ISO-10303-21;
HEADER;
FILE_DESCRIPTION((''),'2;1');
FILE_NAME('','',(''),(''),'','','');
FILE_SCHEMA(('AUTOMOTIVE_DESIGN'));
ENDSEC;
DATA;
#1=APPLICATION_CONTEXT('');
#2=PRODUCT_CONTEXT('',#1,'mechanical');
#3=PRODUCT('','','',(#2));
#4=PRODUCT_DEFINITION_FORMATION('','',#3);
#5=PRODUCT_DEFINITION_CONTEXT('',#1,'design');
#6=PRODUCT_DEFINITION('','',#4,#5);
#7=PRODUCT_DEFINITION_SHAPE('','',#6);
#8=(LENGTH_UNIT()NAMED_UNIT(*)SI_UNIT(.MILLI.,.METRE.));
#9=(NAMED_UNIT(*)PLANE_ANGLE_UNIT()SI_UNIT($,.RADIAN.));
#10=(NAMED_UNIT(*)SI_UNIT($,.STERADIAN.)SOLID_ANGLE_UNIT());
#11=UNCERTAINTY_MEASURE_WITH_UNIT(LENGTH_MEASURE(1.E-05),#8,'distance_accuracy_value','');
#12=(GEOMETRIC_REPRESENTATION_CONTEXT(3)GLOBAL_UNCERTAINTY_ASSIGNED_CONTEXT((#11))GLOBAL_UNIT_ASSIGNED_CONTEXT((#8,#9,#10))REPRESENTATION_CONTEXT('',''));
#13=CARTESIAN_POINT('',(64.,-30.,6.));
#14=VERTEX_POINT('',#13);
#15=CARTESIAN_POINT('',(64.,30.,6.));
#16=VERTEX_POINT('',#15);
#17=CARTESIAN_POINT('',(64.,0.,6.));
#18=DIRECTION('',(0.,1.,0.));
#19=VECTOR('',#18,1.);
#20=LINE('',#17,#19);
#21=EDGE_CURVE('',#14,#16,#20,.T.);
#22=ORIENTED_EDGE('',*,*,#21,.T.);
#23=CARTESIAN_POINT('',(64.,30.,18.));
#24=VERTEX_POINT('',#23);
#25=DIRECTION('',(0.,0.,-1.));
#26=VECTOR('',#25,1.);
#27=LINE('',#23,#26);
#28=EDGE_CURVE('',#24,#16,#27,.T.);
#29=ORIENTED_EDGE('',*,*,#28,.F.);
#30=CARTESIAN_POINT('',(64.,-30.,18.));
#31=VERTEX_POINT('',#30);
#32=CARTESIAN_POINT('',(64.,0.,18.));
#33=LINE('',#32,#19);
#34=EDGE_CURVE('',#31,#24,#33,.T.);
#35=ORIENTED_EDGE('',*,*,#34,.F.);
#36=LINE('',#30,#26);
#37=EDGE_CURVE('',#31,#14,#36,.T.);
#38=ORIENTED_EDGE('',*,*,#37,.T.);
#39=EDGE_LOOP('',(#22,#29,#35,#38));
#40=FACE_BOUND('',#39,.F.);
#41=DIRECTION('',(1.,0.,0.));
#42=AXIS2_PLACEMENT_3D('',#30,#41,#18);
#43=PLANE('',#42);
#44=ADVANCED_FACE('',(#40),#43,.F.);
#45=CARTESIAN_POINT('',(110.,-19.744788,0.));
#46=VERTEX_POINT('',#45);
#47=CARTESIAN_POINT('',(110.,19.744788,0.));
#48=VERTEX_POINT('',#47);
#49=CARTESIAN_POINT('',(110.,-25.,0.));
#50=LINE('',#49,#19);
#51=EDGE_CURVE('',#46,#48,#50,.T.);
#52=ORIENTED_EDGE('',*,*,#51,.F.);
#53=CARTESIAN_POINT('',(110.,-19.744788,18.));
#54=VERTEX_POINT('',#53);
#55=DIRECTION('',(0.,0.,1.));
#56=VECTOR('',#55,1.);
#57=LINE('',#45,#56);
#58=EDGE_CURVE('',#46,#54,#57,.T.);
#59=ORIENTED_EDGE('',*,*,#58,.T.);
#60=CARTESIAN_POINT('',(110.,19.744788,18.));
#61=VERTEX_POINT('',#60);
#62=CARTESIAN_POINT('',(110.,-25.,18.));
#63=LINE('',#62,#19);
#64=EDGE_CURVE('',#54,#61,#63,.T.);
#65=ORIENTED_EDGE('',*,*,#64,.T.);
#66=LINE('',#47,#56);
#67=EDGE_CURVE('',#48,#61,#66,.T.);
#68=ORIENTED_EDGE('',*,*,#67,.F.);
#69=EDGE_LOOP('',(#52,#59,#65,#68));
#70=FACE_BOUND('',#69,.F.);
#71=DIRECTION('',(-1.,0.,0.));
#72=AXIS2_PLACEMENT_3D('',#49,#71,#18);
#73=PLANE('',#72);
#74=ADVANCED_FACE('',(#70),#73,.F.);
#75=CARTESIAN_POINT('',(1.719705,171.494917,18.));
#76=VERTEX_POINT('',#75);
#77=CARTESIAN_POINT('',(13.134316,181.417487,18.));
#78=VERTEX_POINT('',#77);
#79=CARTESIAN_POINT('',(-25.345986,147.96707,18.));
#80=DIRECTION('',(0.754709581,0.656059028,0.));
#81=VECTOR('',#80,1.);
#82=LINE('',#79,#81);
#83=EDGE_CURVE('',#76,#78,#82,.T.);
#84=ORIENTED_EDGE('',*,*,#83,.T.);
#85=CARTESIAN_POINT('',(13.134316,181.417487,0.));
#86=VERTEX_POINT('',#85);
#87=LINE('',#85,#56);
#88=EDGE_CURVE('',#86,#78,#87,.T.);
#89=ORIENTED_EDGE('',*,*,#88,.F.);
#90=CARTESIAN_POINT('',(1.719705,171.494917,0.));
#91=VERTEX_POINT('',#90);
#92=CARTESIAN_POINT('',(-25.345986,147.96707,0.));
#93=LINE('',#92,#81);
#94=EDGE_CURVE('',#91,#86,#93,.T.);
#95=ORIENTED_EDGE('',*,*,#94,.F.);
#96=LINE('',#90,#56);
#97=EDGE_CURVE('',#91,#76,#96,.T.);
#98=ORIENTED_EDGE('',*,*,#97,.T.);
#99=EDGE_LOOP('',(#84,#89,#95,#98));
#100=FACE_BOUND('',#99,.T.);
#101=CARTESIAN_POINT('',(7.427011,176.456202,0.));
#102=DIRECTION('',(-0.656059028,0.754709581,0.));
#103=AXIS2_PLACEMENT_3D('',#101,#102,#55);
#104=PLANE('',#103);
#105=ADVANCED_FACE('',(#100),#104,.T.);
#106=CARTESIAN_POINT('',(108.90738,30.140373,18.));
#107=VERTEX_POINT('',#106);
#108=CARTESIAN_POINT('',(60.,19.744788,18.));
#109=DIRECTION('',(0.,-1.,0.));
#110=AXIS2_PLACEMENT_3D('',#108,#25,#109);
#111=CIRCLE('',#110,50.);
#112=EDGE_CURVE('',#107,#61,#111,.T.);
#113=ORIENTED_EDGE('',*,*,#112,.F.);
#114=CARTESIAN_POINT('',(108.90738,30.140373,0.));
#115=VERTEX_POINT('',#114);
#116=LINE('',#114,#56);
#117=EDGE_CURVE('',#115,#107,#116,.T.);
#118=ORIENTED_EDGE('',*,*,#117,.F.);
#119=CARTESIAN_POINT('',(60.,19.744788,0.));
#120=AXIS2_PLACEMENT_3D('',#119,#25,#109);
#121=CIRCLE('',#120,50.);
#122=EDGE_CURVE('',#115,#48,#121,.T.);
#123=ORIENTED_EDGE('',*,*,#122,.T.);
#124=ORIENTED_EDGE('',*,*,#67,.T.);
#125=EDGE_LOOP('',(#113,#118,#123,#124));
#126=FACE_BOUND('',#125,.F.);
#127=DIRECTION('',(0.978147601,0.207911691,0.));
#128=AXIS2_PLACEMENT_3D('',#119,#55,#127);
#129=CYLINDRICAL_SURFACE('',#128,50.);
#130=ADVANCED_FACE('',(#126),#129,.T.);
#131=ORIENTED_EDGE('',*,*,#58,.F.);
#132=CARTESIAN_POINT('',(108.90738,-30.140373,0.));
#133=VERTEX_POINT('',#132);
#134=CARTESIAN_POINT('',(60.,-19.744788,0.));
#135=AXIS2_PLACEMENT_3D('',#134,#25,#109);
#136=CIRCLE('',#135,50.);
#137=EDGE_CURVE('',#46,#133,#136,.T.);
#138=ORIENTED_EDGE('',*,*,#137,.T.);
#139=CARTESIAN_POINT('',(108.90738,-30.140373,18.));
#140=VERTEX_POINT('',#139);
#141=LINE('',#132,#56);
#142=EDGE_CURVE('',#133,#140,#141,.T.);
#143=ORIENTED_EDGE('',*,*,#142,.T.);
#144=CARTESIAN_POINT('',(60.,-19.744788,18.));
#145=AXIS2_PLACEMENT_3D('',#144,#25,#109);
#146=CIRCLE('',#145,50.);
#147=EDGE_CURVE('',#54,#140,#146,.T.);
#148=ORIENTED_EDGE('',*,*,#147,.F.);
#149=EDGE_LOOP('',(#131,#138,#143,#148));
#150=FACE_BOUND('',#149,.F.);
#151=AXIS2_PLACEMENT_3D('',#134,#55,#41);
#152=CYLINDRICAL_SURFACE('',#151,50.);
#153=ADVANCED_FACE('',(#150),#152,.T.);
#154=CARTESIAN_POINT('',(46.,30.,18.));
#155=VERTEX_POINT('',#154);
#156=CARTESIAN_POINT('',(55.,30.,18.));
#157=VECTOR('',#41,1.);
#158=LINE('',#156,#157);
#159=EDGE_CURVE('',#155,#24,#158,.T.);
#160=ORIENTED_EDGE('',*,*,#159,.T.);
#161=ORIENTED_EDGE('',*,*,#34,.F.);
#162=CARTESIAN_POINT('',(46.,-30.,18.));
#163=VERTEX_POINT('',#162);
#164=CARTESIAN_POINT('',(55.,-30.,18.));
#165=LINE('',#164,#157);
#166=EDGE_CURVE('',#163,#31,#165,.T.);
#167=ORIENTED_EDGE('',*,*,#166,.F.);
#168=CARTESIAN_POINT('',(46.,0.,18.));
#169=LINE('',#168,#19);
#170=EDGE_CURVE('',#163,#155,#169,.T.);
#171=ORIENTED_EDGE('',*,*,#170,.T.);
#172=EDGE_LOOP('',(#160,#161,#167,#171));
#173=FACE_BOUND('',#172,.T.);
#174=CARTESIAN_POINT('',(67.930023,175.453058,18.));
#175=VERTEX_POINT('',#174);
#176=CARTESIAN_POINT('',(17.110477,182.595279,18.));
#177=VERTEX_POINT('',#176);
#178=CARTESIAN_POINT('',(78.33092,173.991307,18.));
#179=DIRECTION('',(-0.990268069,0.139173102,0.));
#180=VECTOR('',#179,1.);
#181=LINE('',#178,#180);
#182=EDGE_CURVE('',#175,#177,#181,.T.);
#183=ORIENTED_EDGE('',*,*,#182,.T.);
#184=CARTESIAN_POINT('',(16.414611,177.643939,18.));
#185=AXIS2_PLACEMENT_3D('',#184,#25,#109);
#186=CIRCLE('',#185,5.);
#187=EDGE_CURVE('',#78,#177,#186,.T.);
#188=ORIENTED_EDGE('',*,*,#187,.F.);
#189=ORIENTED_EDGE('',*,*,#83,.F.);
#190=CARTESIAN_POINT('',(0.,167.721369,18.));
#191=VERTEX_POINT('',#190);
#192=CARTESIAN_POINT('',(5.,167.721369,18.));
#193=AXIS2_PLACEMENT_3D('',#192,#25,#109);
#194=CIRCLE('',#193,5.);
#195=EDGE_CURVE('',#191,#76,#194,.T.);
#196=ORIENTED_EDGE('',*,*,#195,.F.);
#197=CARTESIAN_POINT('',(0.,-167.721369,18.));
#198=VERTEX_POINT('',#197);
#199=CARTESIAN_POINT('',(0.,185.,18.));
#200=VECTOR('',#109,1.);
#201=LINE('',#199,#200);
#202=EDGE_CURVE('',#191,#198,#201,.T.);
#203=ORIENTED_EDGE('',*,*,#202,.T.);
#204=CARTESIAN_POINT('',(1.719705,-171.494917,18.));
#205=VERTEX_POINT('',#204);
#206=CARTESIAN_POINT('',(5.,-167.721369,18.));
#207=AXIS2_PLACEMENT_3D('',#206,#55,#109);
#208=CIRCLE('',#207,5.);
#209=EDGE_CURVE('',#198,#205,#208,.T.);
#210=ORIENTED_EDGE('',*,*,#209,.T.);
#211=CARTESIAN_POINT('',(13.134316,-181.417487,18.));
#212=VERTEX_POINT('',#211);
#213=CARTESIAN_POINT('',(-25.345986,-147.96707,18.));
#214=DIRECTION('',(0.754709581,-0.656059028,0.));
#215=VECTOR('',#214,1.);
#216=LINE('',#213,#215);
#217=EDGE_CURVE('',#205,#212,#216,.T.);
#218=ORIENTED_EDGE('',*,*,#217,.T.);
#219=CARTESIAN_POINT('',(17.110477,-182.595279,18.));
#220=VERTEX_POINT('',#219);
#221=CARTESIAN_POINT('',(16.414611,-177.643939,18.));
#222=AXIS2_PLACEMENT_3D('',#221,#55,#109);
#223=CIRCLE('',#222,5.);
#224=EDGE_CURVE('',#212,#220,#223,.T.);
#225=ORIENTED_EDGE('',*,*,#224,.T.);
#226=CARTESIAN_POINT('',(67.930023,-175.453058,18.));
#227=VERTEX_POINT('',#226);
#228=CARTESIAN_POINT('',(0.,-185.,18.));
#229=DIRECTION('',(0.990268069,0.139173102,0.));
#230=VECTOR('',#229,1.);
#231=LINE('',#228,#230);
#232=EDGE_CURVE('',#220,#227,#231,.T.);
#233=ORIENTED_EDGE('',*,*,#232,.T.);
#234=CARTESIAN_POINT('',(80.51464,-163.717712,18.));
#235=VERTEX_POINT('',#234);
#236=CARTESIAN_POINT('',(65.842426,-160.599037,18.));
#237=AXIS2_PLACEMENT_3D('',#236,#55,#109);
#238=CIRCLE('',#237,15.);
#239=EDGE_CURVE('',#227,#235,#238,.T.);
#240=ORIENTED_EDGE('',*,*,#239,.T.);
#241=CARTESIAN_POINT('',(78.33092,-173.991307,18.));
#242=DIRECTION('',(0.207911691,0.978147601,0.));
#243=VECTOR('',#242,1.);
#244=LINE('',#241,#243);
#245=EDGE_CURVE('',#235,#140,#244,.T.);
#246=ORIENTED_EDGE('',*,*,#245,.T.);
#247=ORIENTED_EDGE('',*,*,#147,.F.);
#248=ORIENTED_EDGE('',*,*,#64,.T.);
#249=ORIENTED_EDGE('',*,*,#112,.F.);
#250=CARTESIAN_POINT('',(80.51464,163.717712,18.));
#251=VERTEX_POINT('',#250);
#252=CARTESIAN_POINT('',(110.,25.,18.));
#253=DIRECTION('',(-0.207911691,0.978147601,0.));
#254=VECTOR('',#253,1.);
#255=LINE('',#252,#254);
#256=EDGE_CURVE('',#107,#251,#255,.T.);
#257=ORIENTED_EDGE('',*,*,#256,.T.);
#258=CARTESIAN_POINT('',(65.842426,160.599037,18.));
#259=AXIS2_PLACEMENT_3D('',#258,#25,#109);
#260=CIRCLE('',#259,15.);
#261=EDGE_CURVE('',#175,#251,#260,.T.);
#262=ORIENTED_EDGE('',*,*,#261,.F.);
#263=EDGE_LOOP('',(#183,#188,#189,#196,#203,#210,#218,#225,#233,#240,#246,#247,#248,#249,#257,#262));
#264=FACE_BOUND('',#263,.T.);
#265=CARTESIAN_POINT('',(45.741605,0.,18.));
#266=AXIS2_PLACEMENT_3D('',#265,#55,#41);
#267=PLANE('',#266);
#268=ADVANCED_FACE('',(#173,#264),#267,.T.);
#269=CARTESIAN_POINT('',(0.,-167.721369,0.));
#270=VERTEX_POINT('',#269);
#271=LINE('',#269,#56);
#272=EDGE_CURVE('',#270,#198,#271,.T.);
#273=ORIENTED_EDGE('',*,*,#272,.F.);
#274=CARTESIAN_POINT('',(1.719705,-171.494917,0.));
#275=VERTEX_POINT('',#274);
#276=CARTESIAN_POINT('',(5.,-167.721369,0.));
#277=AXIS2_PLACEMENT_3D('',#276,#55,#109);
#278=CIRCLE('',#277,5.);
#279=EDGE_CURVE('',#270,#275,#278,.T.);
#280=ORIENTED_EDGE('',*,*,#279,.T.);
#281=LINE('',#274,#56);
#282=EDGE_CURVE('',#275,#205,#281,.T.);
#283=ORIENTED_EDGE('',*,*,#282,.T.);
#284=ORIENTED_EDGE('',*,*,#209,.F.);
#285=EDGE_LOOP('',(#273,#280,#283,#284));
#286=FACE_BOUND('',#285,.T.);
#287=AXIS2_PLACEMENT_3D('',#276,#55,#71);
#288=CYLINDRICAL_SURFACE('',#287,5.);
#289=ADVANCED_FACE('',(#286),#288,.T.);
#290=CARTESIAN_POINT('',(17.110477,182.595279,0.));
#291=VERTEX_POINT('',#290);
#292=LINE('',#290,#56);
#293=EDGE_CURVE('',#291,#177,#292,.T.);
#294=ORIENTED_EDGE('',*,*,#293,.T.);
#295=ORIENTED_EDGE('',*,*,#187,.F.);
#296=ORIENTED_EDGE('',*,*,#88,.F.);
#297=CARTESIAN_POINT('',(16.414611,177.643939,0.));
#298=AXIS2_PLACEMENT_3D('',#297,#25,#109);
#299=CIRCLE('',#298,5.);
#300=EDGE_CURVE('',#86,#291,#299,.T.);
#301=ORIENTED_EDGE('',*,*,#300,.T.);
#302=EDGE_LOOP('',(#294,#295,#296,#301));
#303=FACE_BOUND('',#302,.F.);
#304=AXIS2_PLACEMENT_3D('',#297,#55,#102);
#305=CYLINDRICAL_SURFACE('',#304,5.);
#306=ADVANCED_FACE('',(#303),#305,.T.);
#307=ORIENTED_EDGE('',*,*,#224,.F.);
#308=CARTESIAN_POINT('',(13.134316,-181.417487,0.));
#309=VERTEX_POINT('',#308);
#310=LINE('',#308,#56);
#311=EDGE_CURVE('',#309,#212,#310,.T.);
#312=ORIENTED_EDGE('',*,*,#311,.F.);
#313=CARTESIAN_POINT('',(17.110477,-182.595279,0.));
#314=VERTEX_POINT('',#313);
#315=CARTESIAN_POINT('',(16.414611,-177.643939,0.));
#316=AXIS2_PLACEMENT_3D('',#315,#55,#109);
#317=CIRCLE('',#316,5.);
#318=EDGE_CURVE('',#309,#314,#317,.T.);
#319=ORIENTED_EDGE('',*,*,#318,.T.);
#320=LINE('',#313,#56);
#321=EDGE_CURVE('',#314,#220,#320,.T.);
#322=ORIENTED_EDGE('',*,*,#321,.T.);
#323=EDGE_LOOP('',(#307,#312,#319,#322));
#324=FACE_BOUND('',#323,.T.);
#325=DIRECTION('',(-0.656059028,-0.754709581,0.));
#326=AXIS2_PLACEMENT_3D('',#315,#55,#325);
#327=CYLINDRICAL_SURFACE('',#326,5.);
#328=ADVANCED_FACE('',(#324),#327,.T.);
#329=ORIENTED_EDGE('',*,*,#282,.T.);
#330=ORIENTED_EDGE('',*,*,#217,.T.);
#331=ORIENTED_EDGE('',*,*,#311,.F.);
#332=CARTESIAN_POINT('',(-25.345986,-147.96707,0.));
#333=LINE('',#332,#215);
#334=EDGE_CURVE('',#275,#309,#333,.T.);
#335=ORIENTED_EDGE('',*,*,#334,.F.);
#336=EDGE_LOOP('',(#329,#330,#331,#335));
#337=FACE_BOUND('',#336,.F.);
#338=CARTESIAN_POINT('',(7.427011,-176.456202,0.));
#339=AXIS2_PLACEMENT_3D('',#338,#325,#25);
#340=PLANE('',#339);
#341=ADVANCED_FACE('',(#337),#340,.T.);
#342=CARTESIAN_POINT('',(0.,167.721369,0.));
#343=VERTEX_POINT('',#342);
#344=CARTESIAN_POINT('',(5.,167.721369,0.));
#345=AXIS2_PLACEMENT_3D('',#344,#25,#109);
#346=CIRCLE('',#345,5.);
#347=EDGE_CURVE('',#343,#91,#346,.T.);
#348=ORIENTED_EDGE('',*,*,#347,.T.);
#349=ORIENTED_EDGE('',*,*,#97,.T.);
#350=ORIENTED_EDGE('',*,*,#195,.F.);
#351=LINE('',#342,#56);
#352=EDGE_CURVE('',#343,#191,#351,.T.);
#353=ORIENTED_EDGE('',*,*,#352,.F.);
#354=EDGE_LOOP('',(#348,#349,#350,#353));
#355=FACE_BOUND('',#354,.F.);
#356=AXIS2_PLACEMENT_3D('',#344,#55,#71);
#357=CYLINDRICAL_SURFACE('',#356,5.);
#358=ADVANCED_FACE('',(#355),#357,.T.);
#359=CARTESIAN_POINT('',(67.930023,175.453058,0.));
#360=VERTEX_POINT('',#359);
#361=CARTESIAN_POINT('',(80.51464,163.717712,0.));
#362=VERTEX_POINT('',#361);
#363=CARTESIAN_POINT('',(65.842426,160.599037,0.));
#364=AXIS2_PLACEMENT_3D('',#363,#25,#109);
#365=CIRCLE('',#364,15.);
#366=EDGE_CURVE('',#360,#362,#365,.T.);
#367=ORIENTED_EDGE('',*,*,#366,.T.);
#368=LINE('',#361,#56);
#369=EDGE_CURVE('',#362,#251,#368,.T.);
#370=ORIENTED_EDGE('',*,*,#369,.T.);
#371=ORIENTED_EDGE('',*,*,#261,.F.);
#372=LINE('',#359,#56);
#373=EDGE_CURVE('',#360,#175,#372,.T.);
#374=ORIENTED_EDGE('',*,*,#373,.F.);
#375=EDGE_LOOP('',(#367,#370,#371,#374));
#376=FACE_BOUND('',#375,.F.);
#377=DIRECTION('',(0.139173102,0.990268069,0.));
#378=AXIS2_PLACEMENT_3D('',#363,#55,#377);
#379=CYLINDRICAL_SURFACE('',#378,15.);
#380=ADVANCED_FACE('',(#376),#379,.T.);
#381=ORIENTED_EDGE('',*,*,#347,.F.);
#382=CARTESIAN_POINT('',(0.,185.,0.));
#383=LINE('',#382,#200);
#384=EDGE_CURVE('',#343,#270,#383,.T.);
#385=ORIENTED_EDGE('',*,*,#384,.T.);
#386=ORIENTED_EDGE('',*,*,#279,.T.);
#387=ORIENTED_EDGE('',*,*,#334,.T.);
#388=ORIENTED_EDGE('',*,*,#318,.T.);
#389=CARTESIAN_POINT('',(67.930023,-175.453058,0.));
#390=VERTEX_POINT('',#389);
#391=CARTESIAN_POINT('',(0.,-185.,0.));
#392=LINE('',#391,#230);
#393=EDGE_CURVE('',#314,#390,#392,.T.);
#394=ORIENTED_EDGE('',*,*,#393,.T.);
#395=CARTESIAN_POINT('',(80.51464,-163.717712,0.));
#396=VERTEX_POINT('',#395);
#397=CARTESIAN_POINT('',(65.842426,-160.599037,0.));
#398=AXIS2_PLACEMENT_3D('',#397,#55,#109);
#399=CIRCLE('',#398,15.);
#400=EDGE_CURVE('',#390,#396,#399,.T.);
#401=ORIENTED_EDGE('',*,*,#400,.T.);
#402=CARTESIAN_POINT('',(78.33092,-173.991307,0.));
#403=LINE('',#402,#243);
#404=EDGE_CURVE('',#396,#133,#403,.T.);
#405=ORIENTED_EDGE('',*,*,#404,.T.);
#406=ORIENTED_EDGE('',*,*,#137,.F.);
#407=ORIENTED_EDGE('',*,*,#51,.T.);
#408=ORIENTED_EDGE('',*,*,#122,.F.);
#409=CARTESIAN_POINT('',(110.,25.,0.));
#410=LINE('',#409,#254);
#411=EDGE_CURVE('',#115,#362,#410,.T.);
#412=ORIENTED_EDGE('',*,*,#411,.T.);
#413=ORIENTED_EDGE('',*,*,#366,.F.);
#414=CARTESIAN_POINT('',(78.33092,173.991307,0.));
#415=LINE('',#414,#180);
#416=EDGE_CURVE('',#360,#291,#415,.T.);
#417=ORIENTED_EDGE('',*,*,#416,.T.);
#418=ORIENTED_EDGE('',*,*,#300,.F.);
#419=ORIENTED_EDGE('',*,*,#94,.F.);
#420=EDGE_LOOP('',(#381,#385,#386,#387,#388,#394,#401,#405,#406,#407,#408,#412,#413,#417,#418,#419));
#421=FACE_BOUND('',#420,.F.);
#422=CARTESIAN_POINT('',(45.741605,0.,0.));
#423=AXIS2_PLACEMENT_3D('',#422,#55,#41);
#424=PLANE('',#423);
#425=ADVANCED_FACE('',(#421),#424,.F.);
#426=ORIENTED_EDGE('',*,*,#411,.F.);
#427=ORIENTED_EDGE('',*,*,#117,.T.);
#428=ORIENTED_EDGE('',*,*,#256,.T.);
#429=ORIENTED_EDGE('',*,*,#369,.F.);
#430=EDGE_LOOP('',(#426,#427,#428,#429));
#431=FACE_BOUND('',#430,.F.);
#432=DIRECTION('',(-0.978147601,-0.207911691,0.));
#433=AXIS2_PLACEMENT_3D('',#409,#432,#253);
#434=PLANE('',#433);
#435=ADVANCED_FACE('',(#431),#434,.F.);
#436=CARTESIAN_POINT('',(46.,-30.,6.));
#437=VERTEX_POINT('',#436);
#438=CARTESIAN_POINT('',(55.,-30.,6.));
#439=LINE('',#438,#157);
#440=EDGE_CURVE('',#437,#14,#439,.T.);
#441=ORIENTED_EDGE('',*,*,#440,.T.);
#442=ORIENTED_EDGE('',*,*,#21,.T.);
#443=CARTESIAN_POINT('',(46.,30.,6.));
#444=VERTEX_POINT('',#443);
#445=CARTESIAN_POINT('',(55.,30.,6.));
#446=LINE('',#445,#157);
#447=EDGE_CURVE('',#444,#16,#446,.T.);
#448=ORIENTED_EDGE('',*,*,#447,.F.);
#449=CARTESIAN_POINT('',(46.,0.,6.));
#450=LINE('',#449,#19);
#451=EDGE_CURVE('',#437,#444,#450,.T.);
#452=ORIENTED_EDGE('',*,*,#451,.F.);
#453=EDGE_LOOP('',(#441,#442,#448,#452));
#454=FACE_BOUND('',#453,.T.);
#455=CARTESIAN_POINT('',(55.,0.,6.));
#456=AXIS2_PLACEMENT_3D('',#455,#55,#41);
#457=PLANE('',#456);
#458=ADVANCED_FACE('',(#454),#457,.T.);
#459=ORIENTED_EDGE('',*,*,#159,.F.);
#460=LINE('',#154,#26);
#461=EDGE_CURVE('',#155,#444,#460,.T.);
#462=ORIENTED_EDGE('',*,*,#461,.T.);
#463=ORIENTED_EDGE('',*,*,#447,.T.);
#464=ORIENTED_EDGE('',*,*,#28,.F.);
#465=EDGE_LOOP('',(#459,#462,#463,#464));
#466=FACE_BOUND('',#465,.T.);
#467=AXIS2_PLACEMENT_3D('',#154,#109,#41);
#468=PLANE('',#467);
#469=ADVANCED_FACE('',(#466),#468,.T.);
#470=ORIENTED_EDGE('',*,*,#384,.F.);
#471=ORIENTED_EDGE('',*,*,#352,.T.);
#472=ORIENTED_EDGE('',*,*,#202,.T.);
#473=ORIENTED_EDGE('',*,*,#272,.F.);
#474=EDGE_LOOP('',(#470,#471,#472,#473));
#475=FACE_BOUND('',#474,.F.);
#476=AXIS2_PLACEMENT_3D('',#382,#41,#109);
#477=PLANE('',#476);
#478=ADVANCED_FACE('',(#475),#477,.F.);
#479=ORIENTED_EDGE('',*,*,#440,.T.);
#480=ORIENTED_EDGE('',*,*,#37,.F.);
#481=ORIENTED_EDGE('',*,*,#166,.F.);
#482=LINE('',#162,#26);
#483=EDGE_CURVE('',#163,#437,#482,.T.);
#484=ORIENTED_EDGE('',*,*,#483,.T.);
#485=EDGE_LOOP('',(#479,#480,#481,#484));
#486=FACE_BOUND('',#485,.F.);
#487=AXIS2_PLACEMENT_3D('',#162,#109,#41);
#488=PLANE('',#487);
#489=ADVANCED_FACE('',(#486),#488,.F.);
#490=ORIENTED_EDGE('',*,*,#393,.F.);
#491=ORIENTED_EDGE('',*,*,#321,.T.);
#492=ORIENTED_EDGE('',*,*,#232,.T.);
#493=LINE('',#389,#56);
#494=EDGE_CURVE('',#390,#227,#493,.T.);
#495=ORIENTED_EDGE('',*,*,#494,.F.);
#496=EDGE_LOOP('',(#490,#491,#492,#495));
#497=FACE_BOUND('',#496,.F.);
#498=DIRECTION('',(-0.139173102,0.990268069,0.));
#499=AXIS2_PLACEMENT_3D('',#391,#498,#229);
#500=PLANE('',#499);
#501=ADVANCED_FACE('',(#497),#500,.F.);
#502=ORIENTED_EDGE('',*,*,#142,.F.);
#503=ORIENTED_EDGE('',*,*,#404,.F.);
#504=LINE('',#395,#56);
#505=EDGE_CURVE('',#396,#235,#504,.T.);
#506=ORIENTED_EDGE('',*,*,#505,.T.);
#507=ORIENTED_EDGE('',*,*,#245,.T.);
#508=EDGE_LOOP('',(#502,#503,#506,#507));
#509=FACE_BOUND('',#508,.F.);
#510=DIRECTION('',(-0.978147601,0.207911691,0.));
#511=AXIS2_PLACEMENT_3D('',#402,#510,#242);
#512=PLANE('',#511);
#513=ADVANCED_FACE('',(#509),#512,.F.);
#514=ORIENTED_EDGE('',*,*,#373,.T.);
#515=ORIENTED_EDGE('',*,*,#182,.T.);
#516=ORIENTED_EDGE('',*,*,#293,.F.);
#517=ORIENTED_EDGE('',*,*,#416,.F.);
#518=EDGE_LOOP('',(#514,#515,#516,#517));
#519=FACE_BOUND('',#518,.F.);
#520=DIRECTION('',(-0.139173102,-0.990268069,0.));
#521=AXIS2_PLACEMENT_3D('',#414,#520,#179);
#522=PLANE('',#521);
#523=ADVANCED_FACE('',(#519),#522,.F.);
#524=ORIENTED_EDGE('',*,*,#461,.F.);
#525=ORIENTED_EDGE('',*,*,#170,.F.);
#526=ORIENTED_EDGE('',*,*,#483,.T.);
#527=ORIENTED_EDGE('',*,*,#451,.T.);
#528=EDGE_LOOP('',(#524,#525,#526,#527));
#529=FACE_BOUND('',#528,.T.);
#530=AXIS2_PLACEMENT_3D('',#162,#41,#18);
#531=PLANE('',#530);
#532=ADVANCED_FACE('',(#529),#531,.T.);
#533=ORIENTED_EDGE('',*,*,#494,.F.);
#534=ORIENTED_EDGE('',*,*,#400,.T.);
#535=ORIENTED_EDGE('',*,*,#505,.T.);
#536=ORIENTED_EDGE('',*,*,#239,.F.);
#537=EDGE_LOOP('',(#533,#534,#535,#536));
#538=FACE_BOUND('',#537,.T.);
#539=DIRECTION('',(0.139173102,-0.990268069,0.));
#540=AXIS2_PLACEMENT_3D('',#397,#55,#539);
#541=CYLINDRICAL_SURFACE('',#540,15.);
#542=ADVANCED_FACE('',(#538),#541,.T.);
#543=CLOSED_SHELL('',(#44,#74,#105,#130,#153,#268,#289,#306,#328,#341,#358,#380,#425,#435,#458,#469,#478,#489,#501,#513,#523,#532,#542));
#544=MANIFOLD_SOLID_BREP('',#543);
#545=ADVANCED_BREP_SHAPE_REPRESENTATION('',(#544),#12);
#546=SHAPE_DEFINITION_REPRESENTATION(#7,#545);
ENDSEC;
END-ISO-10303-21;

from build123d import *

# Parameters (mm, degrees)
PAD_DEPTH    = 18
SKETCH001_W  = 18
SKETCH001_H  = 60
POCKET_DEPTH = 12
CHAMFER_SIZE = 15
FILLET_R     = 5
FILLET001_R  = 15
FILLET002_R  = 50


with BuildPart() as part:
    # Sketch → Pad (new body)
    with BuildSketch(Plane.XY):
        Polygon((0, 185), (0, -185), (78.33092, -173.991307), (110, -25), (110, 25), (78.33092, 173.991307), align=None)
    extrude(amount=PAD_DEPTH)

    # Sketch001 → Pocket (cut)
    with BuildSketch(Plane.XY.offset(18)):
        with Locations((55, 0)):
            Rectangle(SKETCH001_W, SKETCH001_H)
    extrude(amount=-POCKET_DEPTH, mode=Mode.SUBTRACT)

    # Chamfer
    chamfer_edges = [part.edges().sort_by_distance(p)[0] for p in [
        (0, -185, 9),
        (0, 185, 9),
    ]]
    chamfer(chamfer_edges, length=CHAMFER_SIZE)

    # Fillet
    fillet_edges = [part.edges().sort_by_distance(p)[0] for p in [
        (14.854021, 182.912403, 9),
        (0, 170, 9),
        (0, -170, 9),
        (14.854021, -182.912403, 9),
    ]]
    fillet(fillet_edges, radius=FILLET_R)

    # Fillet001
    fillet001_edges = [part.edges().sort_by_distance(p)[0] for p in [
        (78.33092, -173.991307, 9),
        (78.33092, 173.991307, 9),
    ]]
    fillet(fillet001_edges, radius=FILLET001_R)

    # Fillet002
    fillet002_edges = [part.edges().sort_by_distance(p)[0] for p in [
        (110, -25, 9),
        (110, 25, 9),
    ]]
    fillet(fillet002_edges, radius=FILLET002_R)


solid = part.part
